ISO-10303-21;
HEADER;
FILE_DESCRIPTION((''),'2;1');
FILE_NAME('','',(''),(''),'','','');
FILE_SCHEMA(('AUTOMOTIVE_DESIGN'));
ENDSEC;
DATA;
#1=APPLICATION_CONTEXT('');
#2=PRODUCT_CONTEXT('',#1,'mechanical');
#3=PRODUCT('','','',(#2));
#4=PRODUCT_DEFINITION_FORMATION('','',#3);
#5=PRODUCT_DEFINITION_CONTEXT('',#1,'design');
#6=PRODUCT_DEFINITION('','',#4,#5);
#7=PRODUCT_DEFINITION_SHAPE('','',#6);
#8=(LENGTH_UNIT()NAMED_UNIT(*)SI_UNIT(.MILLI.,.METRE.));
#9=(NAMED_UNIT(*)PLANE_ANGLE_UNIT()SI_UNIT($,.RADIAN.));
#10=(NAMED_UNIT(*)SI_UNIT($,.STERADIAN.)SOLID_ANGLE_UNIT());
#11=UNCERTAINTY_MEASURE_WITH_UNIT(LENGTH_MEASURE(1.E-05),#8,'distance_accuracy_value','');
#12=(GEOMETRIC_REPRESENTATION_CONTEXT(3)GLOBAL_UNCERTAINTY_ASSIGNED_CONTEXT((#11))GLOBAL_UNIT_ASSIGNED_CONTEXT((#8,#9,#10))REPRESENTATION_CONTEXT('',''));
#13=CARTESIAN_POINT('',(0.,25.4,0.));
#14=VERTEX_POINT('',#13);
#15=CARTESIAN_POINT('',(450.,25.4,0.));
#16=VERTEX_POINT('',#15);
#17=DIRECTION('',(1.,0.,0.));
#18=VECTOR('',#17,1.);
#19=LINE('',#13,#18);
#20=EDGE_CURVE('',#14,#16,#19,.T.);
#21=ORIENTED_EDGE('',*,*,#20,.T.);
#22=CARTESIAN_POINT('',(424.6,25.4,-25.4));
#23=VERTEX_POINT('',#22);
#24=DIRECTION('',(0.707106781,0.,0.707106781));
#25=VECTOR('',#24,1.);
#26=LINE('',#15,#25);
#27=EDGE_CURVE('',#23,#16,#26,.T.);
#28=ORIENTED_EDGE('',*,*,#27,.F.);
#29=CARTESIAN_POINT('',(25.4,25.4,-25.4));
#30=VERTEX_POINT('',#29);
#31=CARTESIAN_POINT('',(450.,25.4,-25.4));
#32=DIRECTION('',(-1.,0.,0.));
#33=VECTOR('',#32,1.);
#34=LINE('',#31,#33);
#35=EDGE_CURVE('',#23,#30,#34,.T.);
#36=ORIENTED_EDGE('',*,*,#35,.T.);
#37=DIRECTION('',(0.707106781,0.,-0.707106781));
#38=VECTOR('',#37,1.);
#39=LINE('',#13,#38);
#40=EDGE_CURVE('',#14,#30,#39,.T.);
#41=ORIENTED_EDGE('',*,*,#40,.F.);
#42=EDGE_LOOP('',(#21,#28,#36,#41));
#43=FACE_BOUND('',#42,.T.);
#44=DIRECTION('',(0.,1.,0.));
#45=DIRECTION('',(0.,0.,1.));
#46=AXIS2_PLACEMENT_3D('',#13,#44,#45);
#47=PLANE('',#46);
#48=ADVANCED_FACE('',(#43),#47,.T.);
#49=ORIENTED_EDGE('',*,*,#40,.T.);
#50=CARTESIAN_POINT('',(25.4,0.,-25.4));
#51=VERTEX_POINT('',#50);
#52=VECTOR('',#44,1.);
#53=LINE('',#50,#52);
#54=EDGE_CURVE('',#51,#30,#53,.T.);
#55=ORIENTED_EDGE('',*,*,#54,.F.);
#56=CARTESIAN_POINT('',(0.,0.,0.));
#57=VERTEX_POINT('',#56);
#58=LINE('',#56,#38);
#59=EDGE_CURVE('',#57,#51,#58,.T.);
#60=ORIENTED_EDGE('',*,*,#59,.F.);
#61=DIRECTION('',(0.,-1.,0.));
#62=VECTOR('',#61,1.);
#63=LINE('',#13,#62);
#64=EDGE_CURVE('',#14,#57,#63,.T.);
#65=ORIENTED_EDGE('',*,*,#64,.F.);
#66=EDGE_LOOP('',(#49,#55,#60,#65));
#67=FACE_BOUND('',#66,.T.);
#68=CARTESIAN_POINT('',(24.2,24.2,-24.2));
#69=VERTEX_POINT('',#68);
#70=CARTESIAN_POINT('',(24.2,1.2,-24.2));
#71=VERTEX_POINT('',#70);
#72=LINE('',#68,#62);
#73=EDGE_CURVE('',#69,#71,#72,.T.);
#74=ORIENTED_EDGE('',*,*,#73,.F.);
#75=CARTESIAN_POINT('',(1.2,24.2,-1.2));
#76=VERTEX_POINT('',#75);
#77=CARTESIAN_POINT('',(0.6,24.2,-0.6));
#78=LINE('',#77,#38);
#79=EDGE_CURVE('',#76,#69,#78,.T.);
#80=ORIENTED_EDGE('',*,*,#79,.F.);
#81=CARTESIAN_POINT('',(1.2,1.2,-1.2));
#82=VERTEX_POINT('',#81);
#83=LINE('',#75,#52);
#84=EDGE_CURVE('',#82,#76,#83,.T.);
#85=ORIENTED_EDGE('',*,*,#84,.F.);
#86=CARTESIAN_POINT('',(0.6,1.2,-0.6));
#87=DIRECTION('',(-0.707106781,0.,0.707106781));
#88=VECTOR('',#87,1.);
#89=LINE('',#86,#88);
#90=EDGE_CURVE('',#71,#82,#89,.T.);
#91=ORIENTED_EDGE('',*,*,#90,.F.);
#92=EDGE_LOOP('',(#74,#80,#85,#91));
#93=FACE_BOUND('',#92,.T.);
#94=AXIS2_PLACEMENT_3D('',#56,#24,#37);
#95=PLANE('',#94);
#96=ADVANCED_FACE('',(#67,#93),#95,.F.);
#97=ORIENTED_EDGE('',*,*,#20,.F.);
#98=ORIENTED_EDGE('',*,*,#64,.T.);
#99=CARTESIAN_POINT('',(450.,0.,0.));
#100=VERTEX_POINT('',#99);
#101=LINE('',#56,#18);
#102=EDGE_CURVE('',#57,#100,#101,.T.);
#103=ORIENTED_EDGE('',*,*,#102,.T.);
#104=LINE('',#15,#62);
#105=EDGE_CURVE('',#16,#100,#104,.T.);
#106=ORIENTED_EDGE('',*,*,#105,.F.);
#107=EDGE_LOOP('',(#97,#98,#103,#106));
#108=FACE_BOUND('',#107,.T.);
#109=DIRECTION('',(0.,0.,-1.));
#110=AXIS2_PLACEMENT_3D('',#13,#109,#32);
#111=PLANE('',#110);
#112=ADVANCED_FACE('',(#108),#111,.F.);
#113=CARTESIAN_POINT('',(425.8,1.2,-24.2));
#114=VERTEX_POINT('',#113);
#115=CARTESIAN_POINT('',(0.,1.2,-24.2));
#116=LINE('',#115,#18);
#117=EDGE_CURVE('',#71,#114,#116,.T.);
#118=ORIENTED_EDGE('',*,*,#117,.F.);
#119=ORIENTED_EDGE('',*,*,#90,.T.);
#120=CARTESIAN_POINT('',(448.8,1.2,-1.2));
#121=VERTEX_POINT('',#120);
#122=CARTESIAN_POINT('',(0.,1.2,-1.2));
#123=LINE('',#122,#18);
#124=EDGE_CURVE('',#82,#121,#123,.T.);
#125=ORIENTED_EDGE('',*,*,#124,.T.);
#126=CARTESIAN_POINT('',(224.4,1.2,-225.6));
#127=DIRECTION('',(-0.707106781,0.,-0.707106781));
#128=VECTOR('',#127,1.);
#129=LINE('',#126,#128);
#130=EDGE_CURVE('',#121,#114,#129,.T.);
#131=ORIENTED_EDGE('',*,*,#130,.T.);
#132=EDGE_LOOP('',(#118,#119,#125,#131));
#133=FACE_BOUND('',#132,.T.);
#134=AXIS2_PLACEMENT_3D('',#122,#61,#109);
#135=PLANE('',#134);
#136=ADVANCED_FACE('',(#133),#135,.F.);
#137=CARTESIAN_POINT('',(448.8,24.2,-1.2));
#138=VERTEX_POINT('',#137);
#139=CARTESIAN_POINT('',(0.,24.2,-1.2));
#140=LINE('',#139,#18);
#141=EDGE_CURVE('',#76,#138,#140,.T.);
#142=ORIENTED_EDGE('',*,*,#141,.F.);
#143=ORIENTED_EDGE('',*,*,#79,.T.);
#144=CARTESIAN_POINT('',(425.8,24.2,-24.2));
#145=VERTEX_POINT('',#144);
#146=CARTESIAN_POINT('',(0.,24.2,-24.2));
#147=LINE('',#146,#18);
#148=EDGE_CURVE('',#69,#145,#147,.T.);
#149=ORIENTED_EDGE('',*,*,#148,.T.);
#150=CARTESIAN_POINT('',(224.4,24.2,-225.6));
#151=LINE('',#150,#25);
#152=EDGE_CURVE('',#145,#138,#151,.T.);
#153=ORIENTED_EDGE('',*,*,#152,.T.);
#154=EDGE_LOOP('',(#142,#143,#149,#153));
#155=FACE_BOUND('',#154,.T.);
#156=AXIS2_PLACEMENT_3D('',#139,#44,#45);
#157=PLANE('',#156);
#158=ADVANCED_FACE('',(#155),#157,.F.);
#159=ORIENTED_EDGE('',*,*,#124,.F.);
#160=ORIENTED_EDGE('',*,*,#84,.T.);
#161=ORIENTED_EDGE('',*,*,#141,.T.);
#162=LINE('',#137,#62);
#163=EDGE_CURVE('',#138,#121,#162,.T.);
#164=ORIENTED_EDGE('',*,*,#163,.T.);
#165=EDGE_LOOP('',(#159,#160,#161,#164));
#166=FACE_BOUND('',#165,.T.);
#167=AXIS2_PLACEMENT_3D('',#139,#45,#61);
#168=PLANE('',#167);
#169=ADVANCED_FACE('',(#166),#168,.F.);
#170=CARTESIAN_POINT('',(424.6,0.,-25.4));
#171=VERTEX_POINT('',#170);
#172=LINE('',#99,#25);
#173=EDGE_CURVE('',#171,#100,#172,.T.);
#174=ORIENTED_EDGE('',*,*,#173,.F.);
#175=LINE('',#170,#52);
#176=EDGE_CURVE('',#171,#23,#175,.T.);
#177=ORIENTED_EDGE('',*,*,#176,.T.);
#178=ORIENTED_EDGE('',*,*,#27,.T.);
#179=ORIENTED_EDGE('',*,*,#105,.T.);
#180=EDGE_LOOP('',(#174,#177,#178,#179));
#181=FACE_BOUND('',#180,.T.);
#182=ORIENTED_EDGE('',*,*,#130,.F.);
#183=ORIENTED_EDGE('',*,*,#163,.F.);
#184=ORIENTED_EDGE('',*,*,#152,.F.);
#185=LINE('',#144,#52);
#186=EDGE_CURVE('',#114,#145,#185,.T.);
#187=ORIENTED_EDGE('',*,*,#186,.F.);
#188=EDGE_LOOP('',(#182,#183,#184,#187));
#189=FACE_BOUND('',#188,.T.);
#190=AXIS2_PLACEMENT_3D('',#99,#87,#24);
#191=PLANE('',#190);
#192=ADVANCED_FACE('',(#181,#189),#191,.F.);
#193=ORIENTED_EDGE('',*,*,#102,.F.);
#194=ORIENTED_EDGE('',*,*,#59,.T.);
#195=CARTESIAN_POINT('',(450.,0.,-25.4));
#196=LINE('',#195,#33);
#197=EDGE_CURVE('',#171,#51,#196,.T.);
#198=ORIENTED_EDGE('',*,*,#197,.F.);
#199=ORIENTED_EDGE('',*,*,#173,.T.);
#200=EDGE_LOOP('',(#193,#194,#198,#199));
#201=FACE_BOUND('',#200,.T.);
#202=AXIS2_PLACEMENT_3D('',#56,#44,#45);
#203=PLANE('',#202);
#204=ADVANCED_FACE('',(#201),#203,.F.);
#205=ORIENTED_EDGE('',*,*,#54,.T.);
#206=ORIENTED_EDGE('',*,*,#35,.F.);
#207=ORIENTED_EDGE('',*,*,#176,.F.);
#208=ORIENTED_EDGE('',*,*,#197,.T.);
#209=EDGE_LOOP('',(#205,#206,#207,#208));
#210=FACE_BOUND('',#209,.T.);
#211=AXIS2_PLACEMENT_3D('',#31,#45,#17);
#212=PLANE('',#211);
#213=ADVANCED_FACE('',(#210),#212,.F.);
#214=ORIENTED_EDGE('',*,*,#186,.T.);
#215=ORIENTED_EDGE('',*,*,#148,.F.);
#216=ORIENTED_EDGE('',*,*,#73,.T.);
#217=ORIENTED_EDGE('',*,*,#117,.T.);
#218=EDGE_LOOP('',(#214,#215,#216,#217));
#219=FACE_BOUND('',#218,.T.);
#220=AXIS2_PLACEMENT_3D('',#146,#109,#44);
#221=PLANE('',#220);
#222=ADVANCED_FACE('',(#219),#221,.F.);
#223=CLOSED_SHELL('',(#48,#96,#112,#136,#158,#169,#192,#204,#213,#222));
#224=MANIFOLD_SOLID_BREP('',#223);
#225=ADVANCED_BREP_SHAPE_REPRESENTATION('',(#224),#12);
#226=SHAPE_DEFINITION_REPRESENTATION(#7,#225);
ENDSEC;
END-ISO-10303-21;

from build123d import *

# Parameters (mm, degrees)
SKETCH1_W           = 450
SKETCH1_H           = 25.4
BOSS_EXTRUDE1_DEPTH = 25.4
SKETCH2_W           = 23
SKETCH2_H           = 23
CUT_EXTRUDE1_DEPTH  = 450
CUT_EXTRUDE2_DEPTH  = 25.4


with BuildPart() as part:
    # Sketch1 → Boss-Extrude1 (new body)
    with BuildSketch(Plane(origin=(0, 0, 0), x_dir=(1, 0, 0), z_dir=(0, 1, 0))):
        with Locations((225, 12.7)):
            Rectangle(SKETCH1_W, SKETCH1_H)
    extrude(amount=BOSS_EXTRUDE1_DEPTH)

    # Sketch2 → Cut-Extrude1 (cut)
    with BuildSketch(Plane(origin=(450, 0, 0), x_dir=(0, 0, -1), z_dir=(1, 0, 0))):
        with Locations((12.7, 12.7)):
            Rectangle(SKETCH2_W, SKETCH2_H)
    extrude(amount=-CUT_EXTRUDE1_DEPTH, mode=Mode.SUBTRACT)

    # Sketch3 → Cut-Extrude2 (cut)
    with BuildSketch(Plane(origin=(0, 25.4, 0), x_dir=(1, 0, 0), z_dir=(0, 1, 0))):
        Polygon((0, 0), (25.4, 25.4), (0, 25.4), align=None)
        Polygon((450, 0), (424.6, 25.4), (450, 25.4), align=None)
    extrude(amount=-CUT_EXTRUDE2_DEPTH, mode=Mode.SUBTRACT)


solid = part.part
